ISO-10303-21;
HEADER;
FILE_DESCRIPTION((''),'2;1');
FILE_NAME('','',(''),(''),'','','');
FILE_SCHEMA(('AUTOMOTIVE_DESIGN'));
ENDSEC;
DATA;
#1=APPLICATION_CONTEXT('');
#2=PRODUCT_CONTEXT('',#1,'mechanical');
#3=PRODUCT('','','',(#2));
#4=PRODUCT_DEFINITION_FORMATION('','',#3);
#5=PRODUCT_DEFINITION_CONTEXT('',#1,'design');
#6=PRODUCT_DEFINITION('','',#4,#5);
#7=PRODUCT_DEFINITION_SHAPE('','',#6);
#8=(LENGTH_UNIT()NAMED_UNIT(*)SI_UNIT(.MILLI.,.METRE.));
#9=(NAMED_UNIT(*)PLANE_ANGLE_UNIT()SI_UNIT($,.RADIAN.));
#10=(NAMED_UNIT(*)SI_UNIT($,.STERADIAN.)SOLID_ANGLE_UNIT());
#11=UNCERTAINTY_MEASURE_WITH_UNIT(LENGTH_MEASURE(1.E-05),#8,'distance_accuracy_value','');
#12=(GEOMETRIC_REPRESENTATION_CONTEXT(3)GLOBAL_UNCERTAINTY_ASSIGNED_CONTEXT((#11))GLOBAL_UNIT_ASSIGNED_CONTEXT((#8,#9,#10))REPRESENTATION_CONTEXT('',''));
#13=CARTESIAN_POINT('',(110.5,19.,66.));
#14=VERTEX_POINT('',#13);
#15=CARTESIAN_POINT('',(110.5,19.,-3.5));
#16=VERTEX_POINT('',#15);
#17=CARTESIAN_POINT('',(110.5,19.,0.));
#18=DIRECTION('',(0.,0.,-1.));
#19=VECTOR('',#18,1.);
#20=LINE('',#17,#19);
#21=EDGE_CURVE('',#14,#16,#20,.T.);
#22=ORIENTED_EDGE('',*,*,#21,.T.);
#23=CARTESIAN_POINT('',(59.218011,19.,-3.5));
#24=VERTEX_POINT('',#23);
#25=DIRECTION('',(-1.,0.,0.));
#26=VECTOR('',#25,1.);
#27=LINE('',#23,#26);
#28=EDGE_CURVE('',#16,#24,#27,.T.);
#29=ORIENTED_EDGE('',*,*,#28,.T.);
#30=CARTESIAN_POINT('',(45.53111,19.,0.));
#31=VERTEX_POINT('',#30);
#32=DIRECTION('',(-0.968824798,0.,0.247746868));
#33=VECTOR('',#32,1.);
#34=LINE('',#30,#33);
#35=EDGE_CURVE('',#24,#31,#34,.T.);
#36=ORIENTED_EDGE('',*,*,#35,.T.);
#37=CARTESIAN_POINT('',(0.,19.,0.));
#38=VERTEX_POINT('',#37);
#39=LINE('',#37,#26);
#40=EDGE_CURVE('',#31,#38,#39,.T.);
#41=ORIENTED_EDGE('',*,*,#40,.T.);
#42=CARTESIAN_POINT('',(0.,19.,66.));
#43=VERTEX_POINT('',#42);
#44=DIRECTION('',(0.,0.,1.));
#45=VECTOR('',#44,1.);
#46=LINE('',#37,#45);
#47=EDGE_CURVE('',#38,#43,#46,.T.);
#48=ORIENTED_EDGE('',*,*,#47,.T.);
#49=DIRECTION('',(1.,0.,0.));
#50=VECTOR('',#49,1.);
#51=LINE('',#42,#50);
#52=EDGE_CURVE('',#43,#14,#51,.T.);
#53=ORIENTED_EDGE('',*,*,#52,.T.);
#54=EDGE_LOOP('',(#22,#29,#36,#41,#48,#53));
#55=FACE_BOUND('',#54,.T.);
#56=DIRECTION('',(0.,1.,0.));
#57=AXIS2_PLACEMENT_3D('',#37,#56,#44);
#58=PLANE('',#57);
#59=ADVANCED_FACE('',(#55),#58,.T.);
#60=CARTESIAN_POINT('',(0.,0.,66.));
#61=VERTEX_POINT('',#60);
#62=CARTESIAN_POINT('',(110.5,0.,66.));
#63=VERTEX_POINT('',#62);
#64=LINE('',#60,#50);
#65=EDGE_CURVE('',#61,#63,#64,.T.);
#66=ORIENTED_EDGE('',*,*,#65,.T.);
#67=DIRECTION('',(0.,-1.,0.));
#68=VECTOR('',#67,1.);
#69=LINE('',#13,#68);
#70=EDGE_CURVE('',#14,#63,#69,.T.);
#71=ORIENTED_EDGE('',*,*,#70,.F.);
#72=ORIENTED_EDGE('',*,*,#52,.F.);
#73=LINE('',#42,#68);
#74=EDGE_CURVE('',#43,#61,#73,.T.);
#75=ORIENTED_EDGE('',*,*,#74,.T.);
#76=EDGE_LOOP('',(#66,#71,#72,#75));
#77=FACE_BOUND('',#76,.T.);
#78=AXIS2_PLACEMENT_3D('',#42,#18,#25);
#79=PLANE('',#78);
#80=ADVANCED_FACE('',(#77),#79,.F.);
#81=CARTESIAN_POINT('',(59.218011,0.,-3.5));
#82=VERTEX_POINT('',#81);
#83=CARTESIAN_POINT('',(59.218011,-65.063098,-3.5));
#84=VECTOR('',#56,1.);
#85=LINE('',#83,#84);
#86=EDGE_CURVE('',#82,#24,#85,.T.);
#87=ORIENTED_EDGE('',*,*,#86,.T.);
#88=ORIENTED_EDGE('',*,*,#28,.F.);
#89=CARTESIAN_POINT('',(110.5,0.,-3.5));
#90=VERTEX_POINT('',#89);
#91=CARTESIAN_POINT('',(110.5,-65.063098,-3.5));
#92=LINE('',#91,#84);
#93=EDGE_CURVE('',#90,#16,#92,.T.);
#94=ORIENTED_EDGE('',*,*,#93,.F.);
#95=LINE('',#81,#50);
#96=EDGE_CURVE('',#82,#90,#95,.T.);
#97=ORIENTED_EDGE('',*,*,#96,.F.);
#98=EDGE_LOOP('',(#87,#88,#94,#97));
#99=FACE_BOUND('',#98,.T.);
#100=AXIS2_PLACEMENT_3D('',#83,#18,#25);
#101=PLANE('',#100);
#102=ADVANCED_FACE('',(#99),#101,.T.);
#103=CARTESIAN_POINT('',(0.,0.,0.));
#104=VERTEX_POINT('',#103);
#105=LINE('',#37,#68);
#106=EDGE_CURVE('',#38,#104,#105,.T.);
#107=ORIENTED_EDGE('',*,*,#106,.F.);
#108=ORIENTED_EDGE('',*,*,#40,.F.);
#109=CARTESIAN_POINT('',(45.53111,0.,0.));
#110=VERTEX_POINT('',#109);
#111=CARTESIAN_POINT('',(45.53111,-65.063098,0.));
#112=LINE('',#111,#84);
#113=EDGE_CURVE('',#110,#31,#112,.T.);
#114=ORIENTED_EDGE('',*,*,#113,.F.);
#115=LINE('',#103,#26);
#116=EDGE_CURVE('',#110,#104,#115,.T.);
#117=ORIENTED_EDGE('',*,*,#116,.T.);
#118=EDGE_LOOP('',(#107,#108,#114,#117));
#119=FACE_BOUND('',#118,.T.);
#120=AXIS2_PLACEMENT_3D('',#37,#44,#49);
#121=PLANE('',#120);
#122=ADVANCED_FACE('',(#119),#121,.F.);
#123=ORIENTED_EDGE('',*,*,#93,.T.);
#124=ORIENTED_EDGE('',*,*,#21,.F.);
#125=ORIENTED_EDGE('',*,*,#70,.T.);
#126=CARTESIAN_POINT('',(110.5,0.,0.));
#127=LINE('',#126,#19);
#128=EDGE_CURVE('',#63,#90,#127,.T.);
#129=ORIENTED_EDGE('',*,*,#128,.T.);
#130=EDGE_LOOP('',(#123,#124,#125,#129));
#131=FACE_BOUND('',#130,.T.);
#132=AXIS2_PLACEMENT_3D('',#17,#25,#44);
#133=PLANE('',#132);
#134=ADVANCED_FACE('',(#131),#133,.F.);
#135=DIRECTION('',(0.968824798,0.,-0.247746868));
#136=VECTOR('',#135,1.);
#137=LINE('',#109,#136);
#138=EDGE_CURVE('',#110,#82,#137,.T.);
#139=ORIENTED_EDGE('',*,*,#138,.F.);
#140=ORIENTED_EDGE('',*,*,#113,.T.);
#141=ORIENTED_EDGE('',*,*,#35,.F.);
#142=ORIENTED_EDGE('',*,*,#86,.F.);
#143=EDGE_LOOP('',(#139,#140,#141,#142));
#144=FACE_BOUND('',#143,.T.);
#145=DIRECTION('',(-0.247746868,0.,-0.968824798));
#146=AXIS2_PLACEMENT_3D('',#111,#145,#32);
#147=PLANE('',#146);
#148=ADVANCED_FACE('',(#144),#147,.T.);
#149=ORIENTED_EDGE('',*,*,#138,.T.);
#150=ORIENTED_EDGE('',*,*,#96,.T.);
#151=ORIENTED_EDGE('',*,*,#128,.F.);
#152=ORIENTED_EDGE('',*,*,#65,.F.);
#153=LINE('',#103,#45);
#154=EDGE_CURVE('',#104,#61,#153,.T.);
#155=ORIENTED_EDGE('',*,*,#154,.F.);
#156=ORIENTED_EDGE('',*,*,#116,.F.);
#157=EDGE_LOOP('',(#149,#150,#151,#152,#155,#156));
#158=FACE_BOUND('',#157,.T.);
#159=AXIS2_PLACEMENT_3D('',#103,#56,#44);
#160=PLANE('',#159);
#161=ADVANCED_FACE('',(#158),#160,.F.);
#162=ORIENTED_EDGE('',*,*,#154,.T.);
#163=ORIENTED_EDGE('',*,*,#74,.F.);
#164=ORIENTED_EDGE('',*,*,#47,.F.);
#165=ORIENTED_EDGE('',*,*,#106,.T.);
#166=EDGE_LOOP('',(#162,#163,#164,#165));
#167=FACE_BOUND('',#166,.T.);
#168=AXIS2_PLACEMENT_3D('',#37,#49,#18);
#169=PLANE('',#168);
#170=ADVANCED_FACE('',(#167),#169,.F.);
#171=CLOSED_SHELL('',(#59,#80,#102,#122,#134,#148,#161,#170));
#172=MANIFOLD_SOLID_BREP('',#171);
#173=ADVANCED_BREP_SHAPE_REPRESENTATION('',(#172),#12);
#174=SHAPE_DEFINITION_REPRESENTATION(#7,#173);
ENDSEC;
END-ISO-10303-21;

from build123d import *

# Parameters (mm, degrees)
SKETCH_1_W      = 110.5
SKETCH_1_H      = 66
EXTRUDE_1_DEPTH = 19
EXTRUDE_2_DEPTH = 19


with BuildPart() as part:
    # 草图1 → 凸台-拉伸1 (new body)
    with BuildSketch(Plane(origin=(0, 0, 0), x_dir=(1, 0, 0), z_dir=(0, 1, 0))):
        with Locations((55.25, -33)):
            Rectangle(SKETCH_1_W, SKETCH_1_H)
    extrude(amount=EXTRUDE_1_DEPTH)

    # 草图2 → 凸台-拉伸2 (add)
    with BuildSketch(Plane(origin=(0, 19, 0), x_dir=(1, 0, 0), z_dir=(0, 1, 0))):
        Polygon((110.5, 0), (45.531109974, 0), (59.21801075, 3.5), (110.5, 3.5), align=None)
    extrude(amount=-EXTRUDE_2_DEPTH)


solid = part.part
